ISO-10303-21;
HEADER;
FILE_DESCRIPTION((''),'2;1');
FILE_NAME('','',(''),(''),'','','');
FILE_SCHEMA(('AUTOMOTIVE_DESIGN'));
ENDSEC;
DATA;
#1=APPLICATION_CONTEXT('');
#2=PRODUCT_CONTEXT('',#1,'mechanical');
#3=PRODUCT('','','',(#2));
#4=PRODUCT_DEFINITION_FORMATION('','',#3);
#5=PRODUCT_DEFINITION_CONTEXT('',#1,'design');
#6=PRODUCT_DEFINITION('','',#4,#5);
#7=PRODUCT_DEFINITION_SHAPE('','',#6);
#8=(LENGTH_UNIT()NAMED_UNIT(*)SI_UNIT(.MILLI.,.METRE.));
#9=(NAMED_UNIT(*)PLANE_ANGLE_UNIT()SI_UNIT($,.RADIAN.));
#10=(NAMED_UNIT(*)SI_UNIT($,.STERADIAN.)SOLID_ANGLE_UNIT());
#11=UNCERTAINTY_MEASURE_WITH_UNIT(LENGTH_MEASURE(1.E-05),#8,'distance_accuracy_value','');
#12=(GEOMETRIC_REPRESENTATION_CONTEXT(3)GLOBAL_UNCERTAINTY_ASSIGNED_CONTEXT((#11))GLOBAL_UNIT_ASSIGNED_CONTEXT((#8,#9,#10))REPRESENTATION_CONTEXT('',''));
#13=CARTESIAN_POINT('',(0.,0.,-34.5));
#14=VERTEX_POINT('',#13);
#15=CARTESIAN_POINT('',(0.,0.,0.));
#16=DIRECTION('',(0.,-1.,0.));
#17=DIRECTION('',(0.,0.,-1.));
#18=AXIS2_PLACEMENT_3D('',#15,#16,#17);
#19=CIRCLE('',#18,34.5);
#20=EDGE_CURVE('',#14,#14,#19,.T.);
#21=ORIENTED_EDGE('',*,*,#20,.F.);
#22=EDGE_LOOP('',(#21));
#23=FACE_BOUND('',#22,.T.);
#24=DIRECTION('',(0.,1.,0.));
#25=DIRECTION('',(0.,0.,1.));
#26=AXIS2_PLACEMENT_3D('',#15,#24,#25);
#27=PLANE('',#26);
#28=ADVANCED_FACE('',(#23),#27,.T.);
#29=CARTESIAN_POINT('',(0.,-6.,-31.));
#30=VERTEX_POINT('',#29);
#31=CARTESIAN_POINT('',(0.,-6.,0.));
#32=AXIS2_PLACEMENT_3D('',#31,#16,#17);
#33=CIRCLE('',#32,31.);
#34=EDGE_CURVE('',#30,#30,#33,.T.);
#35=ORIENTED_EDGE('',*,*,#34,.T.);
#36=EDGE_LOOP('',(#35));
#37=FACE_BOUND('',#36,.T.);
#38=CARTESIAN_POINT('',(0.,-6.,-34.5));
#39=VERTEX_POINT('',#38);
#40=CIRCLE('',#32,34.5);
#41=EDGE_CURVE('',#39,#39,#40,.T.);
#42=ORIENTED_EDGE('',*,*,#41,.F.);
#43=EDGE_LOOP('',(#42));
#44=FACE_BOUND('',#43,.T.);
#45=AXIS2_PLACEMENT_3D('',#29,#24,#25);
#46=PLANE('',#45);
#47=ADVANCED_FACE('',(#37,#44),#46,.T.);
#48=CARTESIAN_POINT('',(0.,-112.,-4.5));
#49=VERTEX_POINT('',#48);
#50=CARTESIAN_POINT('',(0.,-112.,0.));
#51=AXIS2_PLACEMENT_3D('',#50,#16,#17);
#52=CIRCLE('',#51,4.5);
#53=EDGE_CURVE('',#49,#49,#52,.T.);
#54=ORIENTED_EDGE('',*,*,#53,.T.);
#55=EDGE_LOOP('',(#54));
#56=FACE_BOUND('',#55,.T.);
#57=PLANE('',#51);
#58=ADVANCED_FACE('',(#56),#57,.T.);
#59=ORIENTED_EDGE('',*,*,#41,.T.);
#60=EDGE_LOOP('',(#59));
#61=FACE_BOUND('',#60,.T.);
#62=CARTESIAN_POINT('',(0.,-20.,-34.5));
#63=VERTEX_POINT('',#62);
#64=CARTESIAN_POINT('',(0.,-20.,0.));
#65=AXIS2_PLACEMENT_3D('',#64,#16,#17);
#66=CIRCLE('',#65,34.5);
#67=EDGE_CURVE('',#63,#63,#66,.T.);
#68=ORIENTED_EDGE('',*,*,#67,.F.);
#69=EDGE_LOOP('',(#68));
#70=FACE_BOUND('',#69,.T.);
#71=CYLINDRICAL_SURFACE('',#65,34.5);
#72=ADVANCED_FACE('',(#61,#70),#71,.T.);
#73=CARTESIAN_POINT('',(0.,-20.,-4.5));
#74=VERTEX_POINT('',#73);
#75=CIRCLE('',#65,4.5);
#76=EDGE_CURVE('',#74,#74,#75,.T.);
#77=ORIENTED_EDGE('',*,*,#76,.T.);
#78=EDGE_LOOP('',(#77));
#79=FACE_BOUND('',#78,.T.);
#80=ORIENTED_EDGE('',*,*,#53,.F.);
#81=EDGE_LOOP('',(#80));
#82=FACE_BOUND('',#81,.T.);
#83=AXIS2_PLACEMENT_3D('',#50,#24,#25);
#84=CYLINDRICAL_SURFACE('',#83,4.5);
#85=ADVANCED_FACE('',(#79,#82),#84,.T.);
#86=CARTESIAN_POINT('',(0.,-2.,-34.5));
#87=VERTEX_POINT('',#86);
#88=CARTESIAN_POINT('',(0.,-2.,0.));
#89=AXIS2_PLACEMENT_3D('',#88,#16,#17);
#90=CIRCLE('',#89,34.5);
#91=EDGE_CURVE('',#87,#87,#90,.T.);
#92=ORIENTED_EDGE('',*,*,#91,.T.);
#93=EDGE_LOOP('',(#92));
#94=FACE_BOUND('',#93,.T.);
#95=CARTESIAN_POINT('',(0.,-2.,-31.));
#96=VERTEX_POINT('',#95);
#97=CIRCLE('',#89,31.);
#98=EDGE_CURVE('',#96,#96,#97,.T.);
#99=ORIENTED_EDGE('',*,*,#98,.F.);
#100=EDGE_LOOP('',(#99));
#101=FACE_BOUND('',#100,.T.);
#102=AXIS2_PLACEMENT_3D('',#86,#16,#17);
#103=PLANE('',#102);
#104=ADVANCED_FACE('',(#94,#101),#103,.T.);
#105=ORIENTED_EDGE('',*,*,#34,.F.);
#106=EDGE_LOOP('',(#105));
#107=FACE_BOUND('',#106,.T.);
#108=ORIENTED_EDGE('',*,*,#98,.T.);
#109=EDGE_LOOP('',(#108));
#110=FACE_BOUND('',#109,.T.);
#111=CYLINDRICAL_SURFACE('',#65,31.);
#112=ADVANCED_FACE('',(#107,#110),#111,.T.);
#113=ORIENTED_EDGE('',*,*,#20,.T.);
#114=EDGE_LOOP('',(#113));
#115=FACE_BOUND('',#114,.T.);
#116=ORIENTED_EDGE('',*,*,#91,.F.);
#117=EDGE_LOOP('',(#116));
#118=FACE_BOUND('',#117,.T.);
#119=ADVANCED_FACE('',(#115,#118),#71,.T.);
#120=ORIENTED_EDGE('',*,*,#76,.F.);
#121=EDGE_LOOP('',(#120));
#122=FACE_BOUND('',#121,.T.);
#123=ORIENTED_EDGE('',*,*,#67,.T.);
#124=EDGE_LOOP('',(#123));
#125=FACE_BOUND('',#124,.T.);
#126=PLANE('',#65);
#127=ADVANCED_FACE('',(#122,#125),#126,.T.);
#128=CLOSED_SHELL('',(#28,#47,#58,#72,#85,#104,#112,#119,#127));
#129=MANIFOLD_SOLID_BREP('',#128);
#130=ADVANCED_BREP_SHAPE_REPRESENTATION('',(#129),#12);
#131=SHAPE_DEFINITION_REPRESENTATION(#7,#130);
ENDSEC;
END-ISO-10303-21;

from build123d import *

# Parameters (mm, degrees)
SKETCH2_R           = 4.5
BOSS_EXTRUDE1_DEPTH = 92


with BuildPart() as part:
    # Sketch1 → Revolve1 (revolve)
    with BuildSketch(Plane(origin=(0, 0, 0), x_dir=(0, 0, -1), z_dir=(1, 0, 0))):
        Polygon((0, 0), (34.5, 0), (34.5, -2), (31, -2), (31, -6), (34.5, -6), (34.5, -14), (34.5, -18), (34.5, -20), (0, -20), align=None)
    revolve(axis=Axis((0, -20, 0), (0, 1, 0)))

    # Sketch2 → Boss-Extrude1 (add)
    with BuildSketch(Plane.XZ.offset(20)):
        Circle(SKETCH2_R)
    extrude(amount=BOSS_EXTRUDE1_DEPTH)


solid = part.part
